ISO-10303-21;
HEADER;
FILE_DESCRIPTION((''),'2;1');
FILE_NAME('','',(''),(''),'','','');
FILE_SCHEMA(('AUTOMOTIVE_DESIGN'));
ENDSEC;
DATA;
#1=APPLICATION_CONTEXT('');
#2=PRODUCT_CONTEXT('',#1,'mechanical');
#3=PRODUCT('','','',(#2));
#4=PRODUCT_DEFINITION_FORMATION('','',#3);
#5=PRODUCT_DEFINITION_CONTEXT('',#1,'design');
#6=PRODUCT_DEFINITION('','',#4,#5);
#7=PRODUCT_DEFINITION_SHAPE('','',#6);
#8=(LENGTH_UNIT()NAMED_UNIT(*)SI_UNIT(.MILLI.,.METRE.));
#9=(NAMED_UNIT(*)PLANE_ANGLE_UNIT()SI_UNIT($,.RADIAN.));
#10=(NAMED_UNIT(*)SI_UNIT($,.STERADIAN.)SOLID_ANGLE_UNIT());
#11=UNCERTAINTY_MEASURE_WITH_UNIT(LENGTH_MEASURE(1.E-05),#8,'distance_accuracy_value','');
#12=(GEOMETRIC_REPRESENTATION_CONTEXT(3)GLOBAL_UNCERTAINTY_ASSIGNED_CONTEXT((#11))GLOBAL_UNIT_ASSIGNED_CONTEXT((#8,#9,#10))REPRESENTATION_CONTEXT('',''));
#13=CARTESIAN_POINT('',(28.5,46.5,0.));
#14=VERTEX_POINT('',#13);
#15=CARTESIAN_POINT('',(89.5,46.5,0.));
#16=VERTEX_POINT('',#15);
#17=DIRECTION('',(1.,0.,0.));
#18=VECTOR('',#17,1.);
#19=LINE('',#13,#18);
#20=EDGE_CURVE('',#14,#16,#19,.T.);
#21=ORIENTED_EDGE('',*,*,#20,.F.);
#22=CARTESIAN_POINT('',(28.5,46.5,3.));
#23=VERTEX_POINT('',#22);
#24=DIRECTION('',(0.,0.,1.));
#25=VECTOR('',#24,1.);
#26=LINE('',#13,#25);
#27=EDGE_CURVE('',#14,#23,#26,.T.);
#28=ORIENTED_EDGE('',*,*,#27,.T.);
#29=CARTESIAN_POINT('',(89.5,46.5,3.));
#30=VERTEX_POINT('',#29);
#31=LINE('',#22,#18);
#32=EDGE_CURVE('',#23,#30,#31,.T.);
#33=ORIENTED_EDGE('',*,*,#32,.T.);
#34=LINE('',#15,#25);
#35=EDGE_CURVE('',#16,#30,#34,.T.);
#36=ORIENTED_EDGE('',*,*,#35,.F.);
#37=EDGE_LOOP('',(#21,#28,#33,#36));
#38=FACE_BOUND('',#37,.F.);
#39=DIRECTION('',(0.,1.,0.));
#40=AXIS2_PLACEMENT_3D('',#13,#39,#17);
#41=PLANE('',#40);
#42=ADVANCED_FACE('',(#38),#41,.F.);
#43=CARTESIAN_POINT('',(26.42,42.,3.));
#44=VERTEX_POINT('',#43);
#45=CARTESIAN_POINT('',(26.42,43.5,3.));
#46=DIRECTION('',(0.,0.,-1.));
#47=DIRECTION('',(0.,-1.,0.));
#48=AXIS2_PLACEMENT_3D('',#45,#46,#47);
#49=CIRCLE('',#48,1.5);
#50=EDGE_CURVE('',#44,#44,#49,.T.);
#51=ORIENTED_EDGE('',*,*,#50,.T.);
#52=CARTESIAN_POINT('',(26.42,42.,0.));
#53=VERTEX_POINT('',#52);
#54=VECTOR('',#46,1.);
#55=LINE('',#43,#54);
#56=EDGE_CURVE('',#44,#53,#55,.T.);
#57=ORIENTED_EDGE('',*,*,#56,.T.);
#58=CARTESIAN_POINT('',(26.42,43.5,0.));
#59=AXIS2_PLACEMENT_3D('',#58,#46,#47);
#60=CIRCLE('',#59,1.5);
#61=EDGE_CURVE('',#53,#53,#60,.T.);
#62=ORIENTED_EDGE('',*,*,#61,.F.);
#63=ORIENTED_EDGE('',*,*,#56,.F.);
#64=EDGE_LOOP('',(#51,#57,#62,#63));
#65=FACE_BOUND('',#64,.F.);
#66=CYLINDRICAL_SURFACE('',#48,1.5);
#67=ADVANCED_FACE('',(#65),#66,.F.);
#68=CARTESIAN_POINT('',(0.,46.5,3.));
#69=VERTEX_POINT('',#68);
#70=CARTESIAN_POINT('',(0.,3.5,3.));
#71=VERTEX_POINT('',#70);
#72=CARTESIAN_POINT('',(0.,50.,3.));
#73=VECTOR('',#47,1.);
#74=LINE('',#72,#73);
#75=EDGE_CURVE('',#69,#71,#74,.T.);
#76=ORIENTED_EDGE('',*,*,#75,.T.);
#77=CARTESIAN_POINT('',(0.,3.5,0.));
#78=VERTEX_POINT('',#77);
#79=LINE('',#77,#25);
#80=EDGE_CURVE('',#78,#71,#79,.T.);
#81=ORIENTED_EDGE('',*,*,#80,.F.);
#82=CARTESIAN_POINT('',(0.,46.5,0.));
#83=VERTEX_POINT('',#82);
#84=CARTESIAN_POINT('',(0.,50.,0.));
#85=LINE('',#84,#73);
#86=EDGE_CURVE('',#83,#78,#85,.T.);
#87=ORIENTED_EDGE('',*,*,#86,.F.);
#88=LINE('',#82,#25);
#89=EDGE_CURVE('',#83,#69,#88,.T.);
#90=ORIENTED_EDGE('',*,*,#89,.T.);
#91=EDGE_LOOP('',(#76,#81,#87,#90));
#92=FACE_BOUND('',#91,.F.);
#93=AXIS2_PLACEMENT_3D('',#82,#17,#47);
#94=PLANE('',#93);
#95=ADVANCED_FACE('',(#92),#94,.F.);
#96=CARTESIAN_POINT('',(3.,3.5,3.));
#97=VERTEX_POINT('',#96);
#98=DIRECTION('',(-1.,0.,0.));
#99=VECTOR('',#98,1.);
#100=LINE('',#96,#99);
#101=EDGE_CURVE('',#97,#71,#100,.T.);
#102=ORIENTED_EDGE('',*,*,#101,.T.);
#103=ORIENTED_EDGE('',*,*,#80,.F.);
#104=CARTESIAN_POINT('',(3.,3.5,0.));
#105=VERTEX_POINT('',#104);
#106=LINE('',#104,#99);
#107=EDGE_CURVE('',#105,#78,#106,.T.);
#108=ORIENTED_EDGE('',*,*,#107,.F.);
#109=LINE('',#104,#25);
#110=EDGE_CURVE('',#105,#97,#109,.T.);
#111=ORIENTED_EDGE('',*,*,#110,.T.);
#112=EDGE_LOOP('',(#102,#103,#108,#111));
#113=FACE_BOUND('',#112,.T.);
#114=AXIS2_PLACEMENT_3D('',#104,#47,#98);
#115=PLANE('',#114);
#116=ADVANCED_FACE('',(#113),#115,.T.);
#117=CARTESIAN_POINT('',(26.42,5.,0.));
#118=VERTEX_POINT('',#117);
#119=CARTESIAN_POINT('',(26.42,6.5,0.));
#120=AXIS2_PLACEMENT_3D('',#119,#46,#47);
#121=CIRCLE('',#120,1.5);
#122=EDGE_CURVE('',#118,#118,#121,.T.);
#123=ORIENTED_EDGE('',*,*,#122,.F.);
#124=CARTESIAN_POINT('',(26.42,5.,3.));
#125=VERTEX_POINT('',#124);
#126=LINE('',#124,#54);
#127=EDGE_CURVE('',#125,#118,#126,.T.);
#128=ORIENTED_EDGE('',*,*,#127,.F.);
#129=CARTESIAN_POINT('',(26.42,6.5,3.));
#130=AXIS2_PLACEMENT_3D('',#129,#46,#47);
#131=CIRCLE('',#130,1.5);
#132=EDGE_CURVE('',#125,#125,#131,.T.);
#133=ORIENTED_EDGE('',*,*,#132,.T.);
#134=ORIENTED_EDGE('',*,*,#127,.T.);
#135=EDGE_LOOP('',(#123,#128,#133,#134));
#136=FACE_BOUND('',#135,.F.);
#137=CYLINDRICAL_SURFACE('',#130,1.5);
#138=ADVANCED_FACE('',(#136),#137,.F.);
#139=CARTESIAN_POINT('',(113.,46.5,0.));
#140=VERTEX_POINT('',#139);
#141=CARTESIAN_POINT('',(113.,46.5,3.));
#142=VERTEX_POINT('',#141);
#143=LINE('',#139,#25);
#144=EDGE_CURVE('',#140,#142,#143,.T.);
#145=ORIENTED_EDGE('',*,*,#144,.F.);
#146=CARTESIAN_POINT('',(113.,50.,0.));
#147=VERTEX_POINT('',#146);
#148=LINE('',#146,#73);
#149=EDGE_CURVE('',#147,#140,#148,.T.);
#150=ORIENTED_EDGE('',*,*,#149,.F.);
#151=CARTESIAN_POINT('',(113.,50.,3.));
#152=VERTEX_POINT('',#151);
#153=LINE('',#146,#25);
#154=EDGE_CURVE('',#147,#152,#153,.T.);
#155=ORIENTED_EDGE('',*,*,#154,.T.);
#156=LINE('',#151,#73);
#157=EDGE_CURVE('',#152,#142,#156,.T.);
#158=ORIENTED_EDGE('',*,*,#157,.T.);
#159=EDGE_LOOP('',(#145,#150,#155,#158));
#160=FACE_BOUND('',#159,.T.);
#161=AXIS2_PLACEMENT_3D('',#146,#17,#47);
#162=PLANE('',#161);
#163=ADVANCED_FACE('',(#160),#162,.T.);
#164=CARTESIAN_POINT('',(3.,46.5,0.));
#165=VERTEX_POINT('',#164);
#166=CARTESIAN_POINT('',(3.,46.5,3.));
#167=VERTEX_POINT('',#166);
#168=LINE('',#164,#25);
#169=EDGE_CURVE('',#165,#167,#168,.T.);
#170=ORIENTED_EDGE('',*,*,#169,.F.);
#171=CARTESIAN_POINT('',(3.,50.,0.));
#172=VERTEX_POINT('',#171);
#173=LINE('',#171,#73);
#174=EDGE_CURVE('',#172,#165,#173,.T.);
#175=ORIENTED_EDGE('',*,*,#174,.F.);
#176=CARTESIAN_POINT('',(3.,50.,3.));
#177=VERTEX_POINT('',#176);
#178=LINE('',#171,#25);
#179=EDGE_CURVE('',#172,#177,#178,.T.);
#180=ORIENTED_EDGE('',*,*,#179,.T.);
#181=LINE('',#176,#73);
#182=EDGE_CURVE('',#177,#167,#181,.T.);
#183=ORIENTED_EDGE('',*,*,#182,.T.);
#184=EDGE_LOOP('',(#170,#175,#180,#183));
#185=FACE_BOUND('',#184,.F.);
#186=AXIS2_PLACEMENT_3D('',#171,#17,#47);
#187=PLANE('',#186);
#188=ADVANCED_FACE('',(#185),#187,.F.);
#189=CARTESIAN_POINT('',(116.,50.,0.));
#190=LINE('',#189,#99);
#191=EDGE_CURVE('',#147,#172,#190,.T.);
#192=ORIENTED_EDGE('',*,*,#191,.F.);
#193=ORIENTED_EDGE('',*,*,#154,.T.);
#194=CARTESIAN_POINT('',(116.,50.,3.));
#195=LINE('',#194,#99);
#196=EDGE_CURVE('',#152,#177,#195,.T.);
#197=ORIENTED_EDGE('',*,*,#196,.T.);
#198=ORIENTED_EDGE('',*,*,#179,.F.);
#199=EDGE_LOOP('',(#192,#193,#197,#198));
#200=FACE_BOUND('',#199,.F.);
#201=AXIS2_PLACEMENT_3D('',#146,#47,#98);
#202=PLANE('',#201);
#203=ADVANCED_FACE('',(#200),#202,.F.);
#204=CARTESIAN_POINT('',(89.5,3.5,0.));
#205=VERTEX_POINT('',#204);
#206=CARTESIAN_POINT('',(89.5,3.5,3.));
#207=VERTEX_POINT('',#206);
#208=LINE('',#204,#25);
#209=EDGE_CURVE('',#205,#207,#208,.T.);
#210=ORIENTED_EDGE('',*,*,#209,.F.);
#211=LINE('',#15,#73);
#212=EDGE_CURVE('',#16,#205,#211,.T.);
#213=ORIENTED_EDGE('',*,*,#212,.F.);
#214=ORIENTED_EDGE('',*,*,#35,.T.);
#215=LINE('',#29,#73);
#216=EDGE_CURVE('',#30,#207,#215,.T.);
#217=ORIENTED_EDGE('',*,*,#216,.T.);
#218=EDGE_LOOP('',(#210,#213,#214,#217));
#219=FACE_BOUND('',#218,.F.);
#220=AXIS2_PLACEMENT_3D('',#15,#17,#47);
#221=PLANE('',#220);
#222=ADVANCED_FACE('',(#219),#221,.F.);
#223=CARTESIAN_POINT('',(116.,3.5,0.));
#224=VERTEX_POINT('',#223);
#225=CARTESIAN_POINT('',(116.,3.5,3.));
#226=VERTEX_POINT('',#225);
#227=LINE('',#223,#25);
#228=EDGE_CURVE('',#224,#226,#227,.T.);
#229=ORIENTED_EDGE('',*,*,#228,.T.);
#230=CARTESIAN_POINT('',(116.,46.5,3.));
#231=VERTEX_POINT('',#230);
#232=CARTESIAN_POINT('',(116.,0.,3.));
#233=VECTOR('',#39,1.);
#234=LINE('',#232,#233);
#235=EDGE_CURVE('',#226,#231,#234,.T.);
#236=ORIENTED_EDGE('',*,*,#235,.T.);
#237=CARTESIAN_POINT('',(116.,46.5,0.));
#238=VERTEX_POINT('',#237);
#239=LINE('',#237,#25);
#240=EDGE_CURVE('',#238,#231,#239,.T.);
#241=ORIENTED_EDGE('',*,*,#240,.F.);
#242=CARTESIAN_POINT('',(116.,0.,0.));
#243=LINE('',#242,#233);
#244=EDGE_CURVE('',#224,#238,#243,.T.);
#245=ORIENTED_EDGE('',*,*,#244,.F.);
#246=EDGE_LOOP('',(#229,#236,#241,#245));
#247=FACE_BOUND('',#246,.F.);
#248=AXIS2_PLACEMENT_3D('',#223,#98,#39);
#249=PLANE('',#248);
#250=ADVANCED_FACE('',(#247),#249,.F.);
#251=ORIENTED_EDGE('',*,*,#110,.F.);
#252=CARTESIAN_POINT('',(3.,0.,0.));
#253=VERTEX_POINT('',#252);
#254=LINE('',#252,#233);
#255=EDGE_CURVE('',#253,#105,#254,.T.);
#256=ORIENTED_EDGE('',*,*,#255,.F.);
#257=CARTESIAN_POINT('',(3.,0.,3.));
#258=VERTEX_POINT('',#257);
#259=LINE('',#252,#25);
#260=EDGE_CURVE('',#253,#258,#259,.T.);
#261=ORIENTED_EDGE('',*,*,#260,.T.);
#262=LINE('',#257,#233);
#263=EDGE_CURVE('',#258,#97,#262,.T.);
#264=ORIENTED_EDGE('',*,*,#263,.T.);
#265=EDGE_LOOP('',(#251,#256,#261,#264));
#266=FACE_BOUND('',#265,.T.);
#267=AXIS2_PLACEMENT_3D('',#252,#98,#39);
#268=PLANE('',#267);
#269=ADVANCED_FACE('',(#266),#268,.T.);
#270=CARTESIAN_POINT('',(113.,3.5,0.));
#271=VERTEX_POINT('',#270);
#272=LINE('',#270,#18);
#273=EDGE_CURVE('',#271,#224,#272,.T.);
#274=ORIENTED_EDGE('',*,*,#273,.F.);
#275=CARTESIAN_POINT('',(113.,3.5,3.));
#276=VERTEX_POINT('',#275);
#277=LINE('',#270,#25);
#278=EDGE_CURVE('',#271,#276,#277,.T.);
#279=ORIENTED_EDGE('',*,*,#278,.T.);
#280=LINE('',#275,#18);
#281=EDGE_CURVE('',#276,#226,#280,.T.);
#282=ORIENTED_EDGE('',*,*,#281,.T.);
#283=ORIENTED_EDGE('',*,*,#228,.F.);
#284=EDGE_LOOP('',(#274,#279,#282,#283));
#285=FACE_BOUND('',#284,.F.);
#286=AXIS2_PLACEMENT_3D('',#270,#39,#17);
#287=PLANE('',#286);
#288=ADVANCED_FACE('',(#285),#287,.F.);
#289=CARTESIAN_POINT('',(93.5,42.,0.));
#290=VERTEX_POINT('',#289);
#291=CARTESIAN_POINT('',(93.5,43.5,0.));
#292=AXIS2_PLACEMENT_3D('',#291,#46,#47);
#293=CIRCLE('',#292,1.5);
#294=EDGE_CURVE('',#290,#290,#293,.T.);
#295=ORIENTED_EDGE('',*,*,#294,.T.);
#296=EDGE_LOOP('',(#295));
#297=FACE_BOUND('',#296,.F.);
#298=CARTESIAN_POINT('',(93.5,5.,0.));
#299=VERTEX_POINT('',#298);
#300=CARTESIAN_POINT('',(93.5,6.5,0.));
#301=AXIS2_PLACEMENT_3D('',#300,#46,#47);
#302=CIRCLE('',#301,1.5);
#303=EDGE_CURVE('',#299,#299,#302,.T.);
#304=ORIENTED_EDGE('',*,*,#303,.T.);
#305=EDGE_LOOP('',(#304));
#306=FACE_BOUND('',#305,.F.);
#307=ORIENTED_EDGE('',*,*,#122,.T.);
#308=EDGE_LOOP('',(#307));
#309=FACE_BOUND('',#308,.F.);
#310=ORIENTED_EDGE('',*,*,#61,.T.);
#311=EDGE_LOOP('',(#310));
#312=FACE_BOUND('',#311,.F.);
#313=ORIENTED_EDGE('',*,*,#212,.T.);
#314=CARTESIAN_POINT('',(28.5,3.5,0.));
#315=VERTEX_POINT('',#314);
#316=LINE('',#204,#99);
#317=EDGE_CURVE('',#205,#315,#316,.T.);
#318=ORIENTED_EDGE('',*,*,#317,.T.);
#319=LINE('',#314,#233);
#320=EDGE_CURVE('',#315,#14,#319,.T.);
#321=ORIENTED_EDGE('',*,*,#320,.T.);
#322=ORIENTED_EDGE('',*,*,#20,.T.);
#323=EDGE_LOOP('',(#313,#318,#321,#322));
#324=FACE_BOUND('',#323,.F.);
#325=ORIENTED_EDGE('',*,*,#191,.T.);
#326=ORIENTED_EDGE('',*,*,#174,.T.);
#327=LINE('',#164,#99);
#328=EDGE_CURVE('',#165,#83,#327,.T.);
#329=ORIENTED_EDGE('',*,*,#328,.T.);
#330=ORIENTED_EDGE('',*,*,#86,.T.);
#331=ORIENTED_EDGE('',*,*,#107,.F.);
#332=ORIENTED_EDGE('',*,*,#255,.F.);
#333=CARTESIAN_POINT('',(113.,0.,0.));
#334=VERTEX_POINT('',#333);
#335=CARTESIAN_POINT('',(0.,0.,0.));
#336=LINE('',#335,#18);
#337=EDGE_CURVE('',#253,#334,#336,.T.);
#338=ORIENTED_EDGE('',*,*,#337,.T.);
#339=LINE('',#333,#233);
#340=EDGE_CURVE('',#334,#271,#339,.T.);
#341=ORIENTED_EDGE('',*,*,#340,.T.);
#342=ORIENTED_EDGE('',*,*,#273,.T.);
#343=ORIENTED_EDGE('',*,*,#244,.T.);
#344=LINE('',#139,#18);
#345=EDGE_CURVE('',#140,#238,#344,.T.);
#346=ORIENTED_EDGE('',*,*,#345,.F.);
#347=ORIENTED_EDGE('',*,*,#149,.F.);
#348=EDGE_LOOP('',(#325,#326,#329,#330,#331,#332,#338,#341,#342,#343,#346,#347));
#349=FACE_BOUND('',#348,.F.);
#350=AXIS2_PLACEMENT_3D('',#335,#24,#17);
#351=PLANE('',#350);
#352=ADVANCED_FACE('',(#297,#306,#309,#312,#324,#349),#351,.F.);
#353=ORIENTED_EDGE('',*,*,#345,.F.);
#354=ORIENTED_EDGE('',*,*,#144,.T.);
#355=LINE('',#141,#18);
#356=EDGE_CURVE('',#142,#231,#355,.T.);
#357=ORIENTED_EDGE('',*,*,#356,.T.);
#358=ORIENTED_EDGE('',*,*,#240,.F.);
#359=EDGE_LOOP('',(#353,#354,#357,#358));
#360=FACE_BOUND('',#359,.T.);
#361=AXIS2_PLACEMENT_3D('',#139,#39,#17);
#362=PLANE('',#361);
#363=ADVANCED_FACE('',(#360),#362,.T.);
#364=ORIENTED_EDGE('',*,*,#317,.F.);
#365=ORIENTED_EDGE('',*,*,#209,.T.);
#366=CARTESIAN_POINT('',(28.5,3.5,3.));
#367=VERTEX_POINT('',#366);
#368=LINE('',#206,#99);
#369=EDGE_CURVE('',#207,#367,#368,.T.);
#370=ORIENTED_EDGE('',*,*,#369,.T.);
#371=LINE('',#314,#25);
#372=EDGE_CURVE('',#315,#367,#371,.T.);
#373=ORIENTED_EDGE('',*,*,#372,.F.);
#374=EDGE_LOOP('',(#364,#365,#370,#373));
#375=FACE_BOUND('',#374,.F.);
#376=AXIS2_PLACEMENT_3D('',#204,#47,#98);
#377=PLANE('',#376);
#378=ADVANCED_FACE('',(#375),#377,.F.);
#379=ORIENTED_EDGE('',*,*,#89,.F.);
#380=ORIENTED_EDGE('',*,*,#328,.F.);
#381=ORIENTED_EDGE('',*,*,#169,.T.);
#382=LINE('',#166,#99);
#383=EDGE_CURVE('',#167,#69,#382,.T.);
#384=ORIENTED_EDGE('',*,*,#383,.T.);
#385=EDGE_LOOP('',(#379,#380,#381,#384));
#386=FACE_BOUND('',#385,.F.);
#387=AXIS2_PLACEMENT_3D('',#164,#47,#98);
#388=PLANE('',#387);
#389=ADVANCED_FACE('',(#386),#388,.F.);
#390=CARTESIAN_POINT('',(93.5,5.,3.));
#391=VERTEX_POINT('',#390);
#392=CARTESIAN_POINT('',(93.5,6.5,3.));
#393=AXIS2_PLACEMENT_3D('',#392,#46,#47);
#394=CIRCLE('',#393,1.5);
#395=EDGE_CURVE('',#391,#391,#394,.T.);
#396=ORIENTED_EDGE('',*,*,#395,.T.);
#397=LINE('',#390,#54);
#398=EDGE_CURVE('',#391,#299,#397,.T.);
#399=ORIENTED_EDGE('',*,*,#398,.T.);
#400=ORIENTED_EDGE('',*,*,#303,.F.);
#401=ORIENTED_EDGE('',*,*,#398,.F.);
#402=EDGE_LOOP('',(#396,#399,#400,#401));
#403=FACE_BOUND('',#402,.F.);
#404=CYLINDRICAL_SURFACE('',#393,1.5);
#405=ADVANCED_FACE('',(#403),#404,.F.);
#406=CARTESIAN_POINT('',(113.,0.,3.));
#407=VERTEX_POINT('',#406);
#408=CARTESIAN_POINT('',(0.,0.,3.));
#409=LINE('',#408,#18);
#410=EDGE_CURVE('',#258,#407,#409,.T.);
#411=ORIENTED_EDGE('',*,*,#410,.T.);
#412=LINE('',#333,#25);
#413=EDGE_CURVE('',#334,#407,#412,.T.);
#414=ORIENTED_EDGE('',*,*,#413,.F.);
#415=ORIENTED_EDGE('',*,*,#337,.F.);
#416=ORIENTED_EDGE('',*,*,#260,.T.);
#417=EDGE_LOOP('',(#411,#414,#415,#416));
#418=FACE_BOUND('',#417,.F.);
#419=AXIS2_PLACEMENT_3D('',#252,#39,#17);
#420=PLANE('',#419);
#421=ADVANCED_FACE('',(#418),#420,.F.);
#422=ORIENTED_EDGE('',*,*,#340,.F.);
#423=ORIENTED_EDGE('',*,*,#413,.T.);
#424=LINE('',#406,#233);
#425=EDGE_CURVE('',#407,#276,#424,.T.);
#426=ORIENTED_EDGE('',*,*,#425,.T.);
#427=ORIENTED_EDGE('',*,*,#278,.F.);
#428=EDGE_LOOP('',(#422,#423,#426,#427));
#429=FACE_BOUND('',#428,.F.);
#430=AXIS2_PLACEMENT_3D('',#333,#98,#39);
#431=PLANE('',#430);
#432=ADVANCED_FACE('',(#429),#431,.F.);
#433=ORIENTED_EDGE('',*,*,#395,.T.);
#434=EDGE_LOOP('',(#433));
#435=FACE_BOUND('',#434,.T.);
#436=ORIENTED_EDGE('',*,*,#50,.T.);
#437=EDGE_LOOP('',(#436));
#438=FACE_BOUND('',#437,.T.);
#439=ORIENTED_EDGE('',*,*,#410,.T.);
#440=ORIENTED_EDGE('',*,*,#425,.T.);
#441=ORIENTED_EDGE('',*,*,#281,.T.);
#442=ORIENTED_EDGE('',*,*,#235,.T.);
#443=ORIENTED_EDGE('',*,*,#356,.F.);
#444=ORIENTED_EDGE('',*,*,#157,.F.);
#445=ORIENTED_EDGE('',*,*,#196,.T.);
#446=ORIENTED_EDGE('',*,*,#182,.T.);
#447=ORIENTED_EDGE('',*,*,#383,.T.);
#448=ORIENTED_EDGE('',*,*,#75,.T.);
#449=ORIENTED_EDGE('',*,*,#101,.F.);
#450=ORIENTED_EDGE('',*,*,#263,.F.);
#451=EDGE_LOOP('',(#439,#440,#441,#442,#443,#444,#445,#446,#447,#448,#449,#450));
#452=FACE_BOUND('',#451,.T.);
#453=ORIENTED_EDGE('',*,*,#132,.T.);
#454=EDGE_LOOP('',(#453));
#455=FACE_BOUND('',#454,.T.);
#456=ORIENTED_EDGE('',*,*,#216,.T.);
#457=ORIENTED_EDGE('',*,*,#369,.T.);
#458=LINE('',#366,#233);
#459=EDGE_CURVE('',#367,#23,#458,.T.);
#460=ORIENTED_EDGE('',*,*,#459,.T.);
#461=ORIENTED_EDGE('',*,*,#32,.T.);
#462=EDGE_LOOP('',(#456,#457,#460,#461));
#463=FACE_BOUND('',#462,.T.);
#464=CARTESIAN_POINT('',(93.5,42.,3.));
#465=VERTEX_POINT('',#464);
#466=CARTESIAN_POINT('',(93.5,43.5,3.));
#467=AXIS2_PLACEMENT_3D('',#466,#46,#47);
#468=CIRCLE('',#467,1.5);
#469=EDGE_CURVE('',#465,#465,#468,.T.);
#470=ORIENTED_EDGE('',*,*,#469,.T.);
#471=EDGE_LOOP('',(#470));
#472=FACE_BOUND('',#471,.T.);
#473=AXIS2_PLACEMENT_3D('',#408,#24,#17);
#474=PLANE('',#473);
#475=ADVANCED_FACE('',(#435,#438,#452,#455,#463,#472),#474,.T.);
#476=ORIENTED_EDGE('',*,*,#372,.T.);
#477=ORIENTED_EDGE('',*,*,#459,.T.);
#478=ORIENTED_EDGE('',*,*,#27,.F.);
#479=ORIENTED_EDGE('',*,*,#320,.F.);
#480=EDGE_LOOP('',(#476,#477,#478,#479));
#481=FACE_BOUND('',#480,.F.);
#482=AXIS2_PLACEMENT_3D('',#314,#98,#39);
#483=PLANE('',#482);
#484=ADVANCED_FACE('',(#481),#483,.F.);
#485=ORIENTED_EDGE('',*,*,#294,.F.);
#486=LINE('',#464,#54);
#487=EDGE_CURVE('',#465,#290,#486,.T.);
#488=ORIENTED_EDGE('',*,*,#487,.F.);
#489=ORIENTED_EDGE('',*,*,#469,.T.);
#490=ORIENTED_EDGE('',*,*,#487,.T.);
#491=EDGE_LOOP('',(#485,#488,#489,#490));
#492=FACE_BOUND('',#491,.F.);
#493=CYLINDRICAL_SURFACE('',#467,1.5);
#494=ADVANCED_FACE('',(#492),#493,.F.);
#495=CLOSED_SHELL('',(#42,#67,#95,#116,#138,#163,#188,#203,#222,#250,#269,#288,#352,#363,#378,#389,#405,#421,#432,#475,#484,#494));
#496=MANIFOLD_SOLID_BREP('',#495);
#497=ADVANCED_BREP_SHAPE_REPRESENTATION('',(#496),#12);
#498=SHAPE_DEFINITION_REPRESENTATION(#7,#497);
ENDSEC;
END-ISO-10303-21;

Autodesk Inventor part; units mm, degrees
ref_plane "YZ Plane" through (0, 0, 0) normal (1, 0, 0) x (0, 1, 0)
ref_plane "XZ Plane" through (0, 0, 0) normal (0, 1, 0) x (-1, 0, 0)
ref_plane "XY Plane" through (0, 0, 0) normal (0, 0, 1) x (1, 0, 0)
sketch "Sketch1" plane through (0, 0, 0) normal (0, 0, 1) x (1, 0, 0)
  line L0 (0, 0) -> (116, 0)
  line L1 (116, 0) -> (116, 50)
  line L2 (116, 50) -> (0, 50)
  line L3 (0, 50) -> (0, 0)
  line L4 (0, 50) -> (3, 50)
  line L5 (3, 50) -> (3, 46.5)
  line L6 (3, 46.5) -> (0, 46.5)
  line L7 (0, 46.5) -> (0, 50)
  line L8 (0, 0) -> (3, 0)
  line L9 (3, 0) -> (3, 3.5)
  line L10 (3, 3.5) -> (0, 3.5)
  line L11 (0, 3.5) -> (0, 0)
  line L12 (58, 0) -> (58, 50) construction
  line L13 (113, 50) -> (113, 46.5)
  line L14 (113, 46.5) -> (116, 46.5)
  line L15 (113, 0) -> (113, 3.5)
  line L16 (113, 3.5) -> (116, 3.5)
  line L17 (19.5, 46.5) -> (96.5, 46.5) construction
  line L18 (96.5, 46.5) -> (96.5, 3.5) construction
  line L19 (96.5, 3.5) -> (19.5, 3.5) construction
  line L20 (19.5, 3.5) -> (19.5, 46.5) construction
  line L21 (28.5, 46.5) -> (89.5, 46.5)
  line L22 (89.5, 46.5) -> (89.5, 3.5)
  line L23 (89.5, 3.5) -> (28.5, 3.5)
  line L24 (28.5, 3.5) -> (28.5, 46.5)
  point P0 (1.5, 25)
  point P1 (0, 25)
  point P2 (1.5, 3.5)
  point P3 (19.5, 25)
  point P4 (58, 46.5)
  point P5 (1.5, 46.5)
  point P6 (94.5, 5.5)
  point P7 (94.5, 44.5)
  point P8 (26, 44.5)
  point P9 (26, 5.5)
  point P10 (0, 46.5)
  point P11 (0, 3.5)
  dimension "d0" = 116
  dimension "d1" = 50
  dimension "d2" = 3
  dimension "d4" = 21.5
  dimension "d5" = 21.5
  dimension "d6" = 77
  dimension "d7" = 61
  dimension "d8" = 9
  dimension "d9" = 2
  dimension "d10" = 2
  dimension "d11" = 2
  dimension "d12" = 6.5
  dimension "d13" = 2
extrude "Extrusion1" add sketch "Sketch1" along normal blind 3 contours L9 L10 L3 L6 L5 L2 L13 L14 L1 L16 L15 L0
sketch "Sketch2" plane through (0, 0, 3) normal (0, 0, 1) x (1, 0, 0)
  line L0 (28.5, 46.5) -> (89.5, 46.5) projected
  line L1 (19.5, 46.5) -> (96.5, 46.5)
  line L2 (96.5, 46.5) -> (96.5, 3.5)
  line L3 (96.5, 3.5) -> (19.5, 3.5)
  line L4 (19.5, 3.5) -> (19.5, 46.5)
  line L5 (113, 50) -> (3, 50) projected
  line L6 (0, 46.5) -> (0, 3.5) projected
  point P0 (0, 0)
  point P1 (26.42, 43.5)
  point P2 (26.42, 6.5)
  point P3 (58, 46.5)
  point P4 (58, 50)
  point P5 (19.5, 25)
  point P6 (0, 25)
  point P7 (93.5, 43.5)
  point P8 (93.5, 6.5)
  dimension "d17" = 77
  dimension "d18" = 3
  dimension "d19" = 3
  dimension "d20" = 3
  dimension "d28" = 6.92
hole "Hole1" at (26.42, 43.5, 3) at (26.42, 6.5, 3) at (93.5, 6.5, 3) at (93.5, 43.5, 3) direction (0, 0, -1) diameter 3 end through all
properties part number "pantallaSoport"
